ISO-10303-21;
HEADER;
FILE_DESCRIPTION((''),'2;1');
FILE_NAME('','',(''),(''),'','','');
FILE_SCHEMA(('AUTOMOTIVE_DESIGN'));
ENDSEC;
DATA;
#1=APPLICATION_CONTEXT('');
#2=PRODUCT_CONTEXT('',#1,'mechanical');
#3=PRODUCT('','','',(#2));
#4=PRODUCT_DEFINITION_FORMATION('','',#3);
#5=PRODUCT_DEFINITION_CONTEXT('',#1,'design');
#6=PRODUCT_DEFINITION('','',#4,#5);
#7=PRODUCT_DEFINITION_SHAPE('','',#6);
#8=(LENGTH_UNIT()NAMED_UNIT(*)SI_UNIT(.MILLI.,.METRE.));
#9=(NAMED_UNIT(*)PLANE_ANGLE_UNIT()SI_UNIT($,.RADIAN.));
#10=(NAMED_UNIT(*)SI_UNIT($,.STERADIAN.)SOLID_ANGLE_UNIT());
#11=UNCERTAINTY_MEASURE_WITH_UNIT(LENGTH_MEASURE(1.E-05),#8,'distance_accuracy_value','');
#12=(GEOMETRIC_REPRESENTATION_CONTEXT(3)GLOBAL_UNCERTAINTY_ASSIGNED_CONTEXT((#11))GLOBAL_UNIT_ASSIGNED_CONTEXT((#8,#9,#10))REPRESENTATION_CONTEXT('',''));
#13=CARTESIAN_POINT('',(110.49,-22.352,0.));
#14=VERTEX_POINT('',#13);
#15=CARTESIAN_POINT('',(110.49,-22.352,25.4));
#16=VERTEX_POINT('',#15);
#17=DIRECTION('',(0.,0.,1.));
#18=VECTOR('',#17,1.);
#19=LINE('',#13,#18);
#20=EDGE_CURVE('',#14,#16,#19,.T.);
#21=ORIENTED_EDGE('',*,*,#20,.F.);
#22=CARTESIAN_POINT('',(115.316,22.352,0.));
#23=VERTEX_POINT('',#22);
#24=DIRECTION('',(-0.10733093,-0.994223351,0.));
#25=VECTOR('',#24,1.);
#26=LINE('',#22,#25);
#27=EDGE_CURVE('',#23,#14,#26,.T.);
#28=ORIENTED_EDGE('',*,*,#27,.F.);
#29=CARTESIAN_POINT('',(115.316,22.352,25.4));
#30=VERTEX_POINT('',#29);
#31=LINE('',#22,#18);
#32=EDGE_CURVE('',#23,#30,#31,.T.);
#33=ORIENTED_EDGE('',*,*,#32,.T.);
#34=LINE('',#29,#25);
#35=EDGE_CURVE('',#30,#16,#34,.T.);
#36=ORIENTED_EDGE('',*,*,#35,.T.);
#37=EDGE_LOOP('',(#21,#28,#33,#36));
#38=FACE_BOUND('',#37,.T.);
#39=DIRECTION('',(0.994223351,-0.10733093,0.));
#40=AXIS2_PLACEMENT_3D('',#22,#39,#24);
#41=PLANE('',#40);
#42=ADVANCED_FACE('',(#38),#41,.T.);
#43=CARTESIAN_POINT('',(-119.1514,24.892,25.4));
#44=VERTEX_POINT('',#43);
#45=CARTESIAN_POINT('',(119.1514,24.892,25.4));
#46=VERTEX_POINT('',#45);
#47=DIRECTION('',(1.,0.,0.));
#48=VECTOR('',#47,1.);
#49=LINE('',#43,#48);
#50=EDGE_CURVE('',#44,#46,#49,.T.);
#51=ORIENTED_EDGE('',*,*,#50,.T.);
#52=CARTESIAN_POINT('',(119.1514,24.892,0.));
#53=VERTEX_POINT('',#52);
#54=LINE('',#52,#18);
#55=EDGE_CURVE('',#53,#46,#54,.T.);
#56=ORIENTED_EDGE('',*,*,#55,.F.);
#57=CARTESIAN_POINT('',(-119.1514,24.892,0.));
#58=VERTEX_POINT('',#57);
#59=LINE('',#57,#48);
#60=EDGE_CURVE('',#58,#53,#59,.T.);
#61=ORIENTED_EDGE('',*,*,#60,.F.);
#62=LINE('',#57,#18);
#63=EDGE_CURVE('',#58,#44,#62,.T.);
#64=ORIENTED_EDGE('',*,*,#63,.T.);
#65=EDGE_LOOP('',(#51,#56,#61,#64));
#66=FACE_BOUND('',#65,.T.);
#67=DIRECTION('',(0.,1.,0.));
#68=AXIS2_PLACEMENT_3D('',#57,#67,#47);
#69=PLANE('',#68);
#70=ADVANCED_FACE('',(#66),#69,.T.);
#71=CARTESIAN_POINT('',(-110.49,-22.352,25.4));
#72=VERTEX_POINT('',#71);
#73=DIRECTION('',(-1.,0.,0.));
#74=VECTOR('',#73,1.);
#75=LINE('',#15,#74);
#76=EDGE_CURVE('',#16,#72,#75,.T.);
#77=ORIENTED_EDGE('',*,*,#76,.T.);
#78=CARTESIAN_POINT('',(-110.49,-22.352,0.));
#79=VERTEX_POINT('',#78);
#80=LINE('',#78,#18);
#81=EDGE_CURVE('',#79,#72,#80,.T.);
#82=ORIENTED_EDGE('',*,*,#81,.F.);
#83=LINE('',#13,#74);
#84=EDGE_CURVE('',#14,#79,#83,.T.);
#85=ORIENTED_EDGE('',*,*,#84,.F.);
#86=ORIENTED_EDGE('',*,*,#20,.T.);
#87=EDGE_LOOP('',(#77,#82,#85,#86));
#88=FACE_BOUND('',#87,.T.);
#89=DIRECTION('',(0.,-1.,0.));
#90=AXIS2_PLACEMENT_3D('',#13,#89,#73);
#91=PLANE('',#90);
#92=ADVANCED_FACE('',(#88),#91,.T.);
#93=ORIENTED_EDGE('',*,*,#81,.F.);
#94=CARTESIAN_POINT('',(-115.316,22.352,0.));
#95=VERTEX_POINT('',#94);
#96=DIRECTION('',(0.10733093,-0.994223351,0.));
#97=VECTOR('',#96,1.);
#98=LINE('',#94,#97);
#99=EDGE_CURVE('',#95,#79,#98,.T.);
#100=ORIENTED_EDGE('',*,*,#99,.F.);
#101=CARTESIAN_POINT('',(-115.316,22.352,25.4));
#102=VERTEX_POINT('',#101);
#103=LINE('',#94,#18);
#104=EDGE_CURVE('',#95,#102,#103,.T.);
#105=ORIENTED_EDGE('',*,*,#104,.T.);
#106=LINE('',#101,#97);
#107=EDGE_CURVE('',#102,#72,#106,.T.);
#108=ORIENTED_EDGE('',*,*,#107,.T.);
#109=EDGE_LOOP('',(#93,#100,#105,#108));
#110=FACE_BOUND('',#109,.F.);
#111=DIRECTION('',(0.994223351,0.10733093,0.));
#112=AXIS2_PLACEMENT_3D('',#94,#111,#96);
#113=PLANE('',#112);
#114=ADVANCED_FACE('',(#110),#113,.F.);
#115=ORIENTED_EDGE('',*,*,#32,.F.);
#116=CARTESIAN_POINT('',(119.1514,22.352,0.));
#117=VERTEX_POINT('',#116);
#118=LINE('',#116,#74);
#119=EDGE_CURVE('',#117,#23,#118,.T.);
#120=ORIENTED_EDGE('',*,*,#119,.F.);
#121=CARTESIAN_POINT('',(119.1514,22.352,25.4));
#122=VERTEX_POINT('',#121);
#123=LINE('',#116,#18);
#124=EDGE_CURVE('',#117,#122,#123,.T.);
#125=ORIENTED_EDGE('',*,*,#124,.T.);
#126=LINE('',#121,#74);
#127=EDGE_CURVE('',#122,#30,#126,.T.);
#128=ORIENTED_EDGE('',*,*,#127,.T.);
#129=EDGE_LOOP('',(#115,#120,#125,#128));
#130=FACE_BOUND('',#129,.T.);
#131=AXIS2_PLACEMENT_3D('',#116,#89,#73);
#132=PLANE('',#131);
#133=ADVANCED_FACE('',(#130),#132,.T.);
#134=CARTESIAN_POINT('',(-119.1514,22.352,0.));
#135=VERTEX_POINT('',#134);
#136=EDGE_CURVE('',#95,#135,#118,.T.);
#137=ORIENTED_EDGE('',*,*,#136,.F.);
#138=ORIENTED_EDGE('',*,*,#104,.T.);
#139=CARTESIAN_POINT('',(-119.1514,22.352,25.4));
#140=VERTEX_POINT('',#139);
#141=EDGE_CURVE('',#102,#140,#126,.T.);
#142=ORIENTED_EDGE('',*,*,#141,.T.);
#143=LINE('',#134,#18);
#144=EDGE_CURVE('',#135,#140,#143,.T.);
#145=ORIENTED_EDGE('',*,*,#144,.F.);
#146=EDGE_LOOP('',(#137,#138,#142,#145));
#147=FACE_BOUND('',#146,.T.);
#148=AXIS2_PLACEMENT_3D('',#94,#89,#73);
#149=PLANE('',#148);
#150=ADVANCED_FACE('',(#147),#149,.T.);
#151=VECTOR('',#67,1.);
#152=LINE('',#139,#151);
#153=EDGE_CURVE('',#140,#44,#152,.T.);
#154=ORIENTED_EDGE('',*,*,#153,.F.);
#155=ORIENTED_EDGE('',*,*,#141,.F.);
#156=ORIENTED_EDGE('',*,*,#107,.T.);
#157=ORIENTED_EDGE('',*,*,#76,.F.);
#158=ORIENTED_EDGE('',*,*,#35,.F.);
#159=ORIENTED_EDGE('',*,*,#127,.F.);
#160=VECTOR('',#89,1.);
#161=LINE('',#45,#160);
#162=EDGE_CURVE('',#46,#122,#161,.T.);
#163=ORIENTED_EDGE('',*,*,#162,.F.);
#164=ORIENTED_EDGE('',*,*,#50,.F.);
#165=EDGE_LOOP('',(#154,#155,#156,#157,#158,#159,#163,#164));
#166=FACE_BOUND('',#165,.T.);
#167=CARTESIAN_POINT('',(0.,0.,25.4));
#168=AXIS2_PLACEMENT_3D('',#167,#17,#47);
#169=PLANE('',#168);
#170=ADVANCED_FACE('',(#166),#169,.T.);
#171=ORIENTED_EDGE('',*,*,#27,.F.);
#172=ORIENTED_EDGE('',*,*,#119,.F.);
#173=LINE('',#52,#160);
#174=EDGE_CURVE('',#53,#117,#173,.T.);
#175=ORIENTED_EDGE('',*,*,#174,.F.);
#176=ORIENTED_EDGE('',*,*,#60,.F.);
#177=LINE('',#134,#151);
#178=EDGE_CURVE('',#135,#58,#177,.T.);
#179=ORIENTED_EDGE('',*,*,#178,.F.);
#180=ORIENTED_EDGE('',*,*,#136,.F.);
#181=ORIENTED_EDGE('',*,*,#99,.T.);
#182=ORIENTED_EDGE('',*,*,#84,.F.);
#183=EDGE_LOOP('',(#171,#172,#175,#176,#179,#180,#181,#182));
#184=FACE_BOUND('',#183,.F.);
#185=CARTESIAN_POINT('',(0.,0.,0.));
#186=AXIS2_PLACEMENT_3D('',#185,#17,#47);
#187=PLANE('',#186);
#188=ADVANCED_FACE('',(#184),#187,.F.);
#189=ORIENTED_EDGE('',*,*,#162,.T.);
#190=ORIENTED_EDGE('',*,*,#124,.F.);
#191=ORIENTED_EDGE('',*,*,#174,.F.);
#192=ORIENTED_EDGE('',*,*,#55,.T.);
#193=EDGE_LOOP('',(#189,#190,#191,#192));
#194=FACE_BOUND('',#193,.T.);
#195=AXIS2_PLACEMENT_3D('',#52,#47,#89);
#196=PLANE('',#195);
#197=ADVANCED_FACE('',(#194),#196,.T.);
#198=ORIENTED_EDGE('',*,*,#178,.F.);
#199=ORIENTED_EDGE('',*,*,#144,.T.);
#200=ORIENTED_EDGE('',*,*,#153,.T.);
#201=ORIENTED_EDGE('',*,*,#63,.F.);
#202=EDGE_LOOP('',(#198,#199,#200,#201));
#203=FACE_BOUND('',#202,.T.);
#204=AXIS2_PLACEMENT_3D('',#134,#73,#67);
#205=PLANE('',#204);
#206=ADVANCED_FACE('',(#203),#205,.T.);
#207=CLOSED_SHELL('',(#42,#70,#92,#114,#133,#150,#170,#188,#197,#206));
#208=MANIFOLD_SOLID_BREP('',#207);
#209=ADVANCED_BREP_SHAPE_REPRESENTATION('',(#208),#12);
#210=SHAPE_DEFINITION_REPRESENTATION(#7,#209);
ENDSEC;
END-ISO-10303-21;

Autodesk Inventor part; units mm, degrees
ref_plane "YZ Plane" through (0, 0, 0) normal (1, 0, 0) x (0, 1, 0)
ref_plane "XZ Plane" through (0, 0, 0) normal (0, 1, 0) x (-1, 0, 0)
ref_plane "XY Plane" through (0, 0, 0) normal (0, 0, 1) x (1, 0, 0)
sketch "Sketch1" plane through (0, 0, 0) normal (0, 0, 1) x (1, 0, 0)
  line L0 (-110.49, 22.352) -> (110.49, 22.352)
  line L1 (110.49, 22.352) -> (110.49, -22.352)
  line L2 (110.49, -22.352) -> (-110.49, -22.352)
  line L3 (-110.49, -22.352) -> (-110.49, 22.352)
  line L4 (-110.49, 22.352) -> (110.49, -22.352) construction
  line L5 (110.49, 22.352) -> (-110.49, -22.352) construction
  line L6 (0, 22.352) -> (115.316, 22.352)
  line L7 (115.316, 22.352) -> (110.49, -22.352)
  line L8 (0, 22.352) -> (-115.316, 22.352)
  line L9 (-115.316, 22.352) -> (-110.49, -22.352)
  line L10 (119.1514, 22.352) -> (-119.1514, 22.352)
  line L11 (-119.1514, 22.352) -> (-119.1514, 24.892)
  line L12 (-119.1514, 24.892) -> (119.1514, 24.892)
  line L13 (119.1514, 24.892) -> (119.1514, 22.352)
  point P0 (0, 0)
  point P1 (0, 24.892)
  point P2 (110.49, 22.352)
  point P3 (-110.49, 22.352)
  point P4 (110.49, 22.352)
  point P5 (-115.316, 22.352)
  point P6 (115.316, 22.352)
  dimension "d0" = 220.98
  dimension "d1" = 44.704
  dimension "d2" = 115.316
  dimension "d3" = 115.316
  dimension "d10" = 2.54
  dimension "d11" = 238.3028
extrude "Extrusion1" add sketch "Sketch1" along normal blind 25.4
sketch "Sketch2" plane through (0, 0, 25.4) normal (0, 0, 1) x (1, 0, 0)
  line L0 (-120.0424, 48.8596) -> (122.5706, 48.8596)
  line L1 (122.5706, 48.8596) -> (122.5706, -0.3726)
  line L2 (122.5706, -0.3726) -> (-120.0424, -0.3726)
  line L3 (-120.0424, -0.3726) -> (-120.0424, 48.8596)
  point P0 (0, 0)
extrude "Extrusion2" [suppressed]
properties part number "Lid_Divider"
